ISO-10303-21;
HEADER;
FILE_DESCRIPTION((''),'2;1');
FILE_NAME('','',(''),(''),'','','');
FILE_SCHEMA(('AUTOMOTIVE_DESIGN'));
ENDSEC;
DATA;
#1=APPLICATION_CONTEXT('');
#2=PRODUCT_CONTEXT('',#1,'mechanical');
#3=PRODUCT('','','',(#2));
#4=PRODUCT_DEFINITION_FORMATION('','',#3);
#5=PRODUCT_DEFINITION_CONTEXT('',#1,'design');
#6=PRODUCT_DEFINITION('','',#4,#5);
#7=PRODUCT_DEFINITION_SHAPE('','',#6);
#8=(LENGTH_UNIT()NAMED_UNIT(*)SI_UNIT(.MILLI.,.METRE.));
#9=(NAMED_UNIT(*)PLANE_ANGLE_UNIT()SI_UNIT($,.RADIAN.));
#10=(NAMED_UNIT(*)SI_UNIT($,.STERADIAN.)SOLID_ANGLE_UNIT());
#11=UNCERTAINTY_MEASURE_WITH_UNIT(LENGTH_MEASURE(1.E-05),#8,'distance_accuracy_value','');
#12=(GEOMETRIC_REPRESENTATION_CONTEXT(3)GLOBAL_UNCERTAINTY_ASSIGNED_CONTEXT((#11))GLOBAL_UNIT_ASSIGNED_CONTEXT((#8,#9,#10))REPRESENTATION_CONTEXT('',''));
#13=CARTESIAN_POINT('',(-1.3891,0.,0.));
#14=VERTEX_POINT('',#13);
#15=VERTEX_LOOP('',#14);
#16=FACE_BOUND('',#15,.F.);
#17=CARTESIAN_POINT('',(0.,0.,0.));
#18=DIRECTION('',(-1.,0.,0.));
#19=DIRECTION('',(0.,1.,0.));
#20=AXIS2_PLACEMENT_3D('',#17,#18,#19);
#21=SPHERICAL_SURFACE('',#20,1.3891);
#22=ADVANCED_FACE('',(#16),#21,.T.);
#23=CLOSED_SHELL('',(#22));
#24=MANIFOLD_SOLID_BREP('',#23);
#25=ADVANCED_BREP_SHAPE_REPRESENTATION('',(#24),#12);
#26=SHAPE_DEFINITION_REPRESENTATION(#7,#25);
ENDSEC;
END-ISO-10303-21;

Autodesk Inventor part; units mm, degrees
sketch "Sketch_1" plane through (0, 0, 0) normal (0, 0, 1) x (1, 0, 0)
  line L0 (1.3891, 0) -> (-1.3891, 0)
  arc A0 (1.3891, 0) -> (-1.3891, 0) centre (0, 0) ccw
  line L1 (1.3891, 0) -> (-1.3891, 0)
revolve "Revolution1" add sketch "Sketch_1" angle 360 about axis through (1.3891, 0, 0) along (1, 0, 0)
ref_plane "1_XY" through (0, 0, 0) normal (0, 0, 1) x (1, 0, 0)
ref_plane "1_YZ" through (0, 0, 0) normal (1, 0, 0) x (0, 1, 0)
ref_plane "1_ZX" through (0, 0, 0) normal (0, 1, 0) x (0, 0, 1)
properties part number "RF-1560ZZ_ball" material "鋼、炭素鋼"
